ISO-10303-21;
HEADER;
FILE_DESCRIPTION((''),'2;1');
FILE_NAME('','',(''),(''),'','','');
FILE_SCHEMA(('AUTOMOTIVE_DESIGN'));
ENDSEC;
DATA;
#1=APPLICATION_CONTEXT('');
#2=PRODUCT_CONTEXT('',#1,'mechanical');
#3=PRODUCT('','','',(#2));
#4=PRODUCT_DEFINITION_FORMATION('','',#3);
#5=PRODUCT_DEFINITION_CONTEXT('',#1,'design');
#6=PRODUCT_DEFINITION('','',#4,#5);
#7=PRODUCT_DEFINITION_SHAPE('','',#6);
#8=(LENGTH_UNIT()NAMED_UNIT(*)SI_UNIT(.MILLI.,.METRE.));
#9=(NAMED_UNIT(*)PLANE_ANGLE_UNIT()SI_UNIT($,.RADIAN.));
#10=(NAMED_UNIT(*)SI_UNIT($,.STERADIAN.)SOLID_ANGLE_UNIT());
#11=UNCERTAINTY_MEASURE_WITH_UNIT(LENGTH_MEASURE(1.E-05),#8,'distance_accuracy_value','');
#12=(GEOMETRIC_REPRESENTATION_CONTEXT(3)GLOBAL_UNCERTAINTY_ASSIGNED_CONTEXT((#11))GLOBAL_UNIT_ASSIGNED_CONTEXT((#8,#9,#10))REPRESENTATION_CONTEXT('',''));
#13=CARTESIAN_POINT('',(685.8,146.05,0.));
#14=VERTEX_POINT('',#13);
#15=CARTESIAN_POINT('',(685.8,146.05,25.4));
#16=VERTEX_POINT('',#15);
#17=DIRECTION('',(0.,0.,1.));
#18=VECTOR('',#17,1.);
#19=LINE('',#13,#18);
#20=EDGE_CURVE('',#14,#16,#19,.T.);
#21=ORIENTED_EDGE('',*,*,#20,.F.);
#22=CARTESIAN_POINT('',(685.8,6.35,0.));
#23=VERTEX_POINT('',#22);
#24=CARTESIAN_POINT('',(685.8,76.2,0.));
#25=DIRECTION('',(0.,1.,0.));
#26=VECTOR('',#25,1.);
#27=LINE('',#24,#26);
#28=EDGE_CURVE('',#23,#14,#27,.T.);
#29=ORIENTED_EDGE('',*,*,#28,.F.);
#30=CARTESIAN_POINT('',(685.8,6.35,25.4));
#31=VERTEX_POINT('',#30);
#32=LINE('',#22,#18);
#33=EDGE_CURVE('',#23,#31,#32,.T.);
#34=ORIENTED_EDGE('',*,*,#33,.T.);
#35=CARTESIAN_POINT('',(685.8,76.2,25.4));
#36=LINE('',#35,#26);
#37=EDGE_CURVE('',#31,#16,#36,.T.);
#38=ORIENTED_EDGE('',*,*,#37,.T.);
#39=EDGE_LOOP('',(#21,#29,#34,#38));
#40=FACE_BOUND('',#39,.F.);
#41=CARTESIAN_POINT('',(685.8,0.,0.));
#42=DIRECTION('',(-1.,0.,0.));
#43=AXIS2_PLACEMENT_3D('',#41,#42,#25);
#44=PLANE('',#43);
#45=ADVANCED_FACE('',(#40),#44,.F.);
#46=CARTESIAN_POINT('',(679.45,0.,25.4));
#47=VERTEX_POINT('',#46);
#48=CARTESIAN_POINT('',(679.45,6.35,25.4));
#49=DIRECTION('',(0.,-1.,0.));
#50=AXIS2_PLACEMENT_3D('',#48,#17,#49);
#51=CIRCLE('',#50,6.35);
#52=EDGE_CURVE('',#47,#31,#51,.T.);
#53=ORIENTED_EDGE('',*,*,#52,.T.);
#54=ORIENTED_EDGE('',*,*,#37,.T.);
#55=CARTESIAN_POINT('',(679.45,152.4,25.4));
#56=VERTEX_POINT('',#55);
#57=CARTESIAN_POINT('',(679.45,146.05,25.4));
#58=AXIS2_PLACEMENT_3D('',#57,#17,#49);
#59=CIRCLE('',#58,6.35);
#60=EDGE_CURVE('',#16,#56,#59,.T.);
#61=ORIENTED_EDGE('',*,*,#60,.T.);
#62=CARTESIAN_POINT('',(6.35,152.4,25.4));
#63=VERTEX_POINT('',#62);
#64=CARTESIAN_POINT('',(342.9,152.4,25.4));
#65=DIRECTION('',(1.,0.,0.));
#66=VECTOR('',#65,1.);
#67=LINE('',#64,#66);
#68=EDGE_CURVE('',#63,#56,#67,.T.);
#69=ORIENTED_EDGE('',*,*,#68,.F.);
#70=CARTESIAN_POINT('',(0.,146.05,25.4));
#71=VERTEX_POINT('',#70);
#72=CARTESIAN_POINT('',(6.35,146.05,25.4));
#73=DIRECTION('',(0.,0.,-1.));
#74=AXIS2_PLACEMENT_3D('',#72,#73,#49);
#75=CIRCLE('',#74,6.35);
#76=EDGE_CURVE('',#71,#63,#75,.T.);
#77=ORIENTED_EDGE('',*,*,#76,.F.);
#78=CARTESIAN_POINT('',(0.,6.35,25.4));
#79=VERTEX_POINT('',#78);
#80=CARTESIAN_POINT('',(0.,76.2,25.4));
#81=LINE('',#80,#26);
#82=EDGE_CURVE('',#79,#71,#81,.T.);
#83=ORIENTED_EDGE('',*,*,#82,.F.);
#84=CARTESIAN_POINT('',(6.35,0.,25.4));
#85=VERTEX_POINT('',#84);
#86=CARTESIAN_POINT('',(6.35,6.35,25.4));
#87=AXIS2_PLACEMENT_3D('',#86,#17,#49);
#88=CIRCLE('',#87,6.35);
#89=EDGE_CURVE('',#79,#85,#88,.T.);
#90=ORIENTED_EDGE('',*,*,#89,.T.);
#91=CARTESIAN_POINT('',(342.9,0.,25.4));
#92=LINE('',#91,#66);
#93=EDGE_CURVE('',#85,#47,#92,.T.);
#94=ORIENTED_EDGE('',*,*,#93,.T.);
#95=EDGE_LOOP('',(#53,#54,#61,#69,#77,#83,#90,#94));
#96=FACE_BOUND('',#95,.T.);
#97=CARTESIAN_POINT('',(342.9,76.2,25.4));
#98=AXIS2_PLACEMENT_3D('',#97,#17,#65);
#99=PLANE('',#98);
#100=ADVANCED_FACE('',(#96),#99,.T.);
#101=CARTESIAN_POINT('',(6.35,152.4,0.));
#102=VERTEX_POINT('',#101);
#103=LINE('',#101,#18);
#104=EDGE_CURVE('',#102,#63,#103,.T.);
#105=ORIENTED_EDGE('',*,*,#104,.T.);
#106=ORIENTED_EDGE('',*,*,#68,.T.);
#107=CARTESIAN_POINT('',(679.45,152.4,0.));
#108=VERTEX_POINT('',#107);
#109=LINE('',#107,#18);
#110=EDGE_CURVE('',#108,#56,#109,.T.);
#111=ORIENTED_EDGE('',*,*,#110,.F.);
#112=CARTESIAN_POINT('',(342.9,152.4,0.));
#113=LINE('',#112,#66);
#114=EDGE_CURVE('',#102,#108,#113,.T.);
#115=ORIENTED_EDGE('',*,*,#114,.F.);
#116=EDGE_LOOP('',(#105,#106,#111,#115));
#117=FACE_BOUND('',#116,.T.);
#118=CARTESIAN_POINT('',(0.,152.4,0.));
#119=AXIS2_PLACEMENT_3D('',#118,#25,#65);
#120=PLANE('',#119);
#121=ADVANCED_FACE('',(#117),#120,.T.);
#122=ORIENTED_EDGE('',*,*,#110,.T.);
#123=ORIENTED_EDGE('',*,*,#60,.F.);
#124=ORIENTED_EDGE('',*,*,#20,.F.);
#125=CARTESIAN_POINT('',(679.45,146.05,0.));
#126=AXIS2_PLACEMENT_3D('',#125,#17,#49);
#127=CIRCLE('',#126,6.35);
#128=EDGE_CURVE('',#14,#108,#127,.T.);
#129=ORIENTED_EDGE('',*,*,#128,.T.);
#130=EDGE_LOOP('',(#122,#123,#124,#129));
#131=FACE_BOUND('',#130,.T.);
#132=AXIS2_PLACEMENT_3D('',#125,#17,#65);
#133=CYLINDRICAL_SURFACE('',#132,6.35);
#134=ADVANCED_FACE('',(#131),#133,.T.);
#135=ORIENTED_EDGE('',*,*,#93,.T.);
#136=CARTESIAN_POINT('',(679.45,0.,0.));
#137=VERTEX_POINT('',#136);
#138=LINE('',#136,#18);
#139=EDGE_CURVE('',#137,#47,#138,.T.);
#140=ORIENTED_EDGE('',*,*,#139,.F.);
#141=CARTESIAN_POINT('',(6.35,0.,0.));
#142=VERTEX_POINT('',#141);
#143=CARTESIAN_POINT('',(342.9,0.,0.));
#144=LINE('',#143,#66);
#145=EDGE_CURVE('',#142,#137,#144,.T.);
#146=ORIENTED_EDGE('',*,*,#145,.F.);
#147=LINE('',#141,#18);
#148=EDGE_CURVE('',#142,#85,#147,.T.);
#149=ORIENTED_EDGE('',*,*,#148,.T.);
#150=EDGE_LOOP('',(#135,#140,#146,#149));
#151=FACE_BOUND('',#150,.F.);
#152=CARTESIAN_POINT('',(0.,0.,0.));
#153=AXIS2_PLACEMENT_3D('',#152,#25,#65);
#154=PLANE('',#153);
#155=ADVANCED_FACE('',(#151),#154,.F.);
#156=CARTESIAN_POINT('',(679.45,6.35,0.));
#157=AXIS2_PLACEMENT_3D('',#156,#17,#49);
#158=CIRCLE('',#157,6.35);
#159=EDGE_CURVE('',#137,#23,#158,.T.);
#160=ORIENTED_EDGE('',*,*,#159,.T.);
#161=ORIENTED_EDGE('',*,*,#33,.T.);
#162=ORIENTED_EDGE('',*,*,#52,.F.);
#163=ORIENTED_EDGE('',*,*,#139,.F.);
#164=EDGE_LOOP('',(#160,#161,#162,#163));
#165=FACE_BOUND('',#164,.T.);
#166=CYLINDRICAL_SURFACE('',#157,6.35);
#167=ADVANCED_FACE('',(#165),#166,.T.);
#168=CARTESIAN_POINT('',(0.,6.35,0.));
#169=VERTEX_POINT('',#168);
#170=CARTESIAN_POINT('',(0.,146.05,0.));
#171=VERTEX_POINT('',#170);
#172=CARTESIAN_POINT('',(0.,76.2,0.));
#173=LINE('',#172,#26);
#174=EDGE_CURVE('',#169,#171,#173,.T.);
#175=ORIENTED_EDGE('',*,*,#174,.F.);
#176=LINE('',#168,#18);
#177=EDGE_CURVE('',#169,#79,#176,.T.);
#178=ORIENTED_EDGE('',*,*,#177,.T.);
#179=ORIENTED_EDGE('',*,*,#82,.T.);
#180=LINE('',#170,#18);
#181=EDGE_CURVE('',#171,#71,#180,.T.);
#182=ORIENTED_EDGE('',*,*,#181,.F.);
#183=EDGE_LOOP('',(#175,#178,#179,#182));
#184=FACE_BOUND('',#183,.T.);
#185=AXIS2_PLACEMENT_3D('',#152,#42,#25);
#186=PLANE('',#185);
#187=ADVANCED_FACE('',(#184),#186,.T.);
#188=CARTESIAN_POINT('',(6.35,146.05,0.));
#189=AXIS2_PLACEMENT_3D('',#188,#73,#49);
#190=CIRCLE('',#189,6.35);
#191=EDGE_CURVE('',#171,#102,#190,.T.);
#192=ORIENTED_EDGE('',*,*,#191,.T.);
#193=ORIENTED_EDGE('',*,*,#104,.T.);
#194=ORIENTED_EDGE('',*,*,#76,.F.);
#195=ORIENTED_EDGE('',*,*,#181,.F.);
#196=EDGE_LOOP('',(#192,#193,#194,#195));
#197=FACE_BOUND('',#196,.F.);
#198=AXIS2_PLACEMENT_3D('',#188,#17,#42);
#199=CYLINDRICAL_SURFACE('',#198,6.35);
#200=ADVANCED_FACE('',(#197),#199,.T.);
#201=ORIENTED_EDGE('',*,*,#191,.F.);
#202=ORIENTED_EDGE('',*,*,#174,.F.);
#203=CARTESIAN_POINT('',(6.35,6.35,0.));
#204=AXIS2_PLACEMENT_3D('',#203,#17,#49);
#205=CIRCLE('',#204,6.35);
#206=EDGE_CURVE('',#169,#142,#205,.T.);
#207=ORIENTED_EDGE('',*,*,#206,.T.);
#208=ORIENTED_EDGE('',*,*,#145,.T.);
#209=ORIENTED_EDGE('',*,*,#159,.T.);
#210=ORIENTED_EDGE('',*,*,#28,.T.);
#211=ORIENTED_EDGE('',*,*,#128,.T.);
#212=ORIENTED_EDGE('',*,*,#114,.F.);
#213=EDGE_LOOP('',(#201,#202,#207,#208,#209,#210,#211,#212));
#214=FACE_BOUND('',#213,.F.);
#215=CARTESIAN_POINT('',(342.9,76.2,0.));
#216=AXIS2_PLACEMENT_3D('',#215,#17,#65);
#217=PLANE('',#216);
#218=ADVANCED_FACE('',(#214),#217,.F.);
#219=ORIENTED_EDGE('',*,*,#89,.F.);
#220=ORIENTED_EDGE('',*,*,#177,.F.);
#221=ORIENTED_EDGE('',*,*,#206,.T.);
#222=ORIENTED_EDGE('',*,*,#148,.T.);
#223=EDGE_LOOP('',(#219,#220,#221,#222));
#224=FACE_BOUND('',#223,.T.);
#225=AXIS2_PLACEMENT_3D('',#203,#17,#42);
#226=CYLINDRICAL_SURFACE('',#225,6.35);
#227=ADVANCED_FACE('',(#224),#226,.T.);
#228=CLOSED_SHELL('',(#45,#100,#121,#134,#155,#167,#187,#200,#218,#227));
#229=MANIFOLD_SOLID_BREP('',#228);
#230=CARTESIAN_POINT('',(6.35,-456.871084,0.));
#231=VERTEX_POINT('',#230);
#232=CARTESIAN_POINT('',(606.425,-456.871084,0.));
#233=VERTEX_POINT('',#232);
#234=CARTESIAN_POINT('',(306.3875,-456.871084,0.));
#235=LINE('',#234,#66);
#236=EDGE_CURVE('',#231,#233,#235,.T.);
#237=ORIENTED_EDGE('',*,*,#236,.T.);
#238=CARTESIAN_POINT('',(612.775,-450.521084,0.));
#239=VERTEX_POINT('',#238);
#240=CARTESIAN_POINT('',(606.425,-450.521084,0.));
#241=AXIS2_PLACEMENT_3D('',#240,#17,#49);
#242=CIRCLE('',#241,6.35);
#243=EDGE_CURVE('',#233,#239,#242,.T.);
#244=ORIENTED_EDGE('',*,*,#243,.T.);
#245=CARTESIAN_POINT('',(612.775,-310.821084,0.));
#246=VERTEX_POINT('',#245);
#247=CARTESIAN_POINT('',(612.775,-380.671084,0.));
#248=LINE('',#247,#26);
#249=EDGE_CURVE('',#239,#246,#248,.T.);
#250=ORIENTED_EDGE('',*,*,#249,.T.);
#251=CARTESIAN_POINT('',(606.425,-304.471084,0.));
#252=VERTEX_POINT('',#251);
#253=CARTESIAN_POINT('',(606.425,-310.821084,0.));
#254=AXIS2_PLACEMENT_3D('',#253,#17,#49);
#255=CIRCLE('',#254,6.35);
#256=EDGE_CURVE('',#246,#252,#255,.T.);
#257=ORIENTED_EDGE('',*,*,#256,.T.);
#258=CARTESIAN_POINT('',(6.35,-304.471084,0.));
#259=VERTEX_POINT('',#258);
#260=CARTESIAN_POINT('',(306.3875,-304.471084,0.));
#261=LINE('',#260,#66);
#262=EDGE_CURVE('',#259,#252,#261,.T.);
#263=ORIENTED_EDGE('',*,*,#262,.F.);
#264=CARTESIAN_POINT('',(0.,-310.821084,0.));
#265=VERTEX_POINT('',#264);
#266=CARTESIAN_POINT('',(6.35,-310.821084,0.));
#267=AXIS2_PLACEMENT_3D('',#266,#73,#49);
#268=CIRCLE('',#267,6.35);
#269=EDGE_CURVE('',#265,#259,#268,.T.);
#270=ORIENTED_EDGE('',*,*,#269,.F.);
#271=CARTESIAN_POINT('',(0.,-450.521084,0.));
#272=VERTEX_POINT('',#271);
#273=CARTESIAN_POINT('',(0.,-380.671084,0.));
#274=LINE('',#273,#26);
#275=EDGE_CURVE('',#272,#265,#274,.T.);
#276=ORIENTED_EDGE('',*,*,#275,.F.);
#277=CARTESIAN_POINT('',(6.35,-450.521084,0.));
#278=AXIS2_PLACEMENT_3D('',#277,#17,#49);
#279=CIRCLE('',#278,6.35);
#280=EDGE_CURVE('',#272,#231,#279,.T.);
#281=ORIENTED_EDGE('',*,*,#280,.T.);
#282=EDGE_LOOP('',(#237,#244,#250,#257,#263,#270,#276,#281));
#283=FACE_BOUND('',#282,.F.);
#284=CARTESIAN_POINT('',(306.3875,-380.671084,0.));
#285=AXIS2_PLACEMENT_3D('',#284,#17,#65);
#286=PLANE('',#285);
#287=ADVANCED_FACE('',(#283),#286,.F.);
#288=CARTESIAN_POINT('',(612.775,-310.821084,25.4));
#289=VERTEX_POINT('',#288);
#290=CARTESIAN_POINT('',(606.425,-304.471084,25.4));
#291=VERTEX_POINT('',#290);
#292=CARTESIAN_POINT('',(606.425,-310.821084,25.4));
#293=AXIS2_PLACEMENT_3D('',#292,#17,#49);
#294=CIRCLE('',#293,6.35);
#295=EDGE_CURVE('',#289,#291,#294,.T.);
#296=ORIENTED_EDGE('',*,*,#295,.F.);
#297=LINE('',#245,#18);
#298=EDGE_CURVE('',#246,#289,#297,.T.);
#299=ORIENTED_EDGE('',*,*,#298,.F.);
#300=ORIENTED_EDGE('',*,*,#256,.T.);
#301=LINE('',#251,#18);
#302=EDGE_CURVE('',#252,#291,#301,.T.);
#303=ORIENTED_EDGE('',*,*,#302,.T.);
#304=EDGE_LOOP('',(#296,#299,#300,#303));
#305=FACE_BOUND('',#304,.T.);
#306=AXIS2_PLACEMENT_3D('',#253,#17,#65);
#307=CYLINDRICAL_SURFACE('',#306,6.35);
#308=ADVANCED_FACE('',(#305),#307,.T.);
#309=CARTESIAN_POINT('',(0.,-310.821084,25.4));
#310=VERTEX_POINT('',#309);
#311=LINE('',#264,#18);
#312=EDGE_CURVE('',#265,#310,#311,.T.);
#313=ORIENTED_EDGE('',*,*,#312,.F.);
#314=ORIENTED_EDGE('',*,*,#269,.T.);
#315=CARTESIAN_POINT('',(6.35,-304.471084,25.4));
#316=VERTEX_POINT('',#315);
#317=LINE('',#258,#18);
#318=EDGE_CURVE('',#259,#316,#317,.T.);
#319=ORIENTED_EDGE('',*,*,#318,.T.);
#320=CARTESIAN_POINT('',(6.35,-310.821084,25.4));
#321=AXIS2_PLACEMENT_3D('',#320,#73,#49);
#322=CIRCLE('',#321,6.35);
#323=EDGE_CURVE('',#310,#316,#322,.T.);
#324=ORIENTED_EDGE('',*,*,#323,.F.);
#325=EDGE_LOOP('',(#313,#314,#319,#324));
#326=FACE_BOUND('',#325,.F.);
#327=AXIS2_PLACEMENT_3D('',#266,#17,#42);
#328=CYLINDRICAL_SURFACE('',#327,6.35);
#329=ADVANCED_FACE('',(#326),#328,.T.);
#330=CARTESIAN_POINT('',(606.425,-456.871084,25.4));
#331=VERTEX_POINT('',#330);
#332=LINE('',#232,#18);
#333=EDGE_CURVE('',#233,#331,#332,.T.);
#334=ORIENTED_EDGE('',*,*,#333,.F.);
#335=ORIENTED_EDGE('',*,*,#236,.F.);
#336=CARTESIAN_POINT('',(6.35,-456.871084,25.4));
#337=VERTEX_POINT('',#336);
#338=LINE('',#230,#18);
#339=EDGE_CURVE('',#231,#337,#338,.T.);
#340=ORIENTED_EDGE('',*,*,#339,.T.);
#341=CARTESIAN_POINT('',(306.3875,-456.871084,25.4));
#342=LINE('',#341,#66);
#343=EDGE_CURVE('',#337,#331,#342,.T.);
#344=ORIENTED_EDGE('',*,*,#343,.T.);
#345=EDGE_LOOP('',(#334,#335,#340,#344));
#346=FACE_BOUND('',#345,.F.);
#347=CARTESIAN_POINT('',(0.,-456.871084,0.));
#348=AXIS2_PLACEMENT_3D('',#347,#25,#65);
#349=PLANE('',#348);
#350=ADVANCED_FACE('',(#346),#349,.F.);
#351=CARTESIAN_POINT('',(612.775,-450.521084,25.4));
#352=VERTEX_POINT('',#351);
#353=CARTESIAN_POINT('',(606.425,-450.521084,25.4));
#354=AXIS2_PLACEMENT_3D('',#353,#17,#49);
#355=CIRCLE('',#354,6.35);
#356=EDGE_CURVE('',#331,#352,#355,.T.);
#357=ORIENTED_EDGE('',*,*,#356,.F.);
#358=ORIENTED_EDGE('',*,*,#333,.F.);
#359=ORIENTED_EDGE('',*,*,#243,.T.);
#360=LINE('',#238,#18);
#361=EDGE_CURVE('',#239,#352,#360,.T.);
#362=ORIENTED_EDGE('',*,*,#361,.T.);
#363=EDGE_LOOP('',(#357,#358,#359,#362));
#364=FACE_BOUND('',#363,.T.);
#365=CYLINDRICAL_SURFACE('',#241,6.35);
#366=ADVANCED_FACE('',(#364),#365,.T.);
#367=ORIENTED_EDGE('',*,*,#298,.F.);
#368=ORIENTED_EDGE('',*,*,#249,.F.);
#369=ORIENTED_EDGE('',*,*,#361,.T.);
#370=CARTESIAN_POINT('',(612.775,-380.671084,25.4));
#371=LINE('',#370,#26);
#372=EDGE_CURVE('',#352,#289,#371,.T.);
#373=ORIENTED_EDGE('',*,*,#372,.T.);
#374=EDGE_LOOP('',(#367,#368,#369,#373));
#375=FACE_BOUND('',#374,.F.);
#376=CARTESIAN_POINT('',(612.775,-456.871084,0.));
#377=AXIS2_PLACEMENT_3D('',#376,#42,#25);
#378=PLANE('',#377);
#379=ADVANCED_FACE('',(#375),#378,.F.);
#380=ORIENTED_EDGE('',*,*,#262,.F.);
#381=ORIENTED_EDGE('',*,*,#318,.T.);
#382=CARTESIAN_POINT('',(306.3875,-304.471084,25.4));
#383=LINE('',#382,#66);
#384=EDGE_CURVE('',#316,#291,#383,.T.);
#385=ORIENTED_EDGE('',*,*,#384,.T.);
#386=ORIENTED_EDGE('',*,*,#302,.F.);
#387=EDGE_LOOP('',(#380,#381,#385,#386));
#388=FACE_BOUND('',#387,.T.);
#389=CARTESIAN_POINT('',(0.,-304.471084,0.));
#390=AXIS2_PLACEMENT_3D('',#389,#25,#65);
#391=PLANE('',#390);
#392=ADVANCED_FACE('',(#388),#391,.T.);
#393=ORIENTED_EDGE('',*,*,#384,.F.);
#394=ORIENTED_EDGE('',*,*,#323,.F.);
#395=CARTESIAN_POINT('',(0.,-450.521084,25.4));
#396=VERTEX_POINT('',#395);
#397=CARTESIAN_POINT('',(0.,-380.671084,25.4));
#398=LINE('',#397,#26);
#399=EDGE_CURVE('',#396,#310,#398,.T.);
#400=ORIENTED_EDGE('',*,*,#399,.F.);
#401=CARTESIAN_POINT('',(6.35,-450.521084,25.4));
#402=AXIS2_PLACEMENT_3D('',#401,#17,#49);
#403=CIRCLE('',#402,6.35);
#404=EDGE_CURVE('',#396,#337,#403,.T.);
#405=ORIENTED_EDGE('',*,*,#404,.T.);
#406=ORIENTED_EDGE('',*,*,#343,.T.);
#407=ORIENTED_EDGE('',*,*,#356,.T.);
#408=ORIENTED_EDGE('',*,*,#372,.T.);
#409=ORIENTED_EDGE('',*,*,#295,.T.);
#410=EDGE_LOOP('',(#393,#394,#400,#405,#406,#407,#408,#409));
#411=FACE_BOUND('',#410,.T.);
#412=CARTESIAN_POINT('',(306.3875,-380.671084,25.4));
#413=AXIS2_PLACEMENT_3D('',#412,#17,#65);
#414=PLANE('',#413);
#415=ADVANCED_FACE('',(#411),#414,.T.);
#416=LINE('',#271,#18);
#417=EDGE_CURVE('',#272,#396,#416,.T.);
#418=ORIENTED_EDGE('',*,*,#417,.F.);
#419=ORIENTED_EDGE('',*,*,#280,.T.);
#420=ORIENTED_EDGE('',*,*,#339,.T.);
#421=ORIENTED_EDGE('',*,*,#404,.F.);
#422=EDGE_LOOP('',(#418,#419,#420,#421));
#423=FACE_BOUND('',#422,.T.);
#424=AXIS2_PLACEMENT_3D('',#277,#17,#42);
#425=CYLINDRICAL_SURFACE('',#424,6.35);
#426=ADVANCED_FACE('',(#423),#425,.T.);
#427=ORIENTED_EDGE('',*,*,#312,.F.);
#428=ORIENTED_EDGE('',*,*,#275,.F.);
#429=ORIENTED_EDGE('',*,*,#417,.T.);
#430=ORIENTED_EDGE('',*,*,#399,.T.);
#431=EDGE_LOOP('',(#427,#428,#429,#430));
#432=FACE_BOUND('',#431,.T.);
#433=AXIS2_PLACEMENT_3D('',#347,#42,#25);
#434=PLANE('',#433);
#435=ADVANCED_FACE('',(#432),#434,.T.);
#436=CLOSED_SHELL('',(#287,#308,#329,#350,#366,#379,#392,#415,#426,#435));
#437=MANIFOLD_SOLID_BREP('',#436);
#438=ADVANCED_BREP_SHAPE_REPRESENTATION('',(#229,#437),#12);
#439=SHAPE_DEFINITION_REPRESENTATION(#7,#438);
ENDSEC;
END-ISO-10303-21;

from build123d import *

# Parameters (mm, degrees)
F0_W     = 685.8
F0_H     = 152.4
F0_W_2   = 612.775
F1_DEPTH = 25.4
F2_R     = 6.35


with BuildPart() as f1:
    # F0 (on Top) → F1 (new body)
    with BuildSketch(Plane.XY):
        with Locations((342.9, 76.2)):
            Rectangle(F0_W, F0_H)
        with Locations((306.3875, -380.671084)):
            Rectangle(F0_W_2, F0_H)
    extrude(amount=F1_DEPTH)

    # F2
    f2_edges = [f1.edges().sort_by_distance(p)[0] for p in [
        (0, 152.4, 12.7),
        (0, 0, 12.7),
        (685.8, 0, 12.7),
        (685.8, 152.4, 12.7),
        (612.775, -456.871084, 12.7),
        (0, -456.871084, 12.7),
        (0, -304.471084, 12.7),
        (612.775, -304.471084, 12.7),
    ]]
    fillet(f2_edges, radius=F2_R)


solid = f1.part
